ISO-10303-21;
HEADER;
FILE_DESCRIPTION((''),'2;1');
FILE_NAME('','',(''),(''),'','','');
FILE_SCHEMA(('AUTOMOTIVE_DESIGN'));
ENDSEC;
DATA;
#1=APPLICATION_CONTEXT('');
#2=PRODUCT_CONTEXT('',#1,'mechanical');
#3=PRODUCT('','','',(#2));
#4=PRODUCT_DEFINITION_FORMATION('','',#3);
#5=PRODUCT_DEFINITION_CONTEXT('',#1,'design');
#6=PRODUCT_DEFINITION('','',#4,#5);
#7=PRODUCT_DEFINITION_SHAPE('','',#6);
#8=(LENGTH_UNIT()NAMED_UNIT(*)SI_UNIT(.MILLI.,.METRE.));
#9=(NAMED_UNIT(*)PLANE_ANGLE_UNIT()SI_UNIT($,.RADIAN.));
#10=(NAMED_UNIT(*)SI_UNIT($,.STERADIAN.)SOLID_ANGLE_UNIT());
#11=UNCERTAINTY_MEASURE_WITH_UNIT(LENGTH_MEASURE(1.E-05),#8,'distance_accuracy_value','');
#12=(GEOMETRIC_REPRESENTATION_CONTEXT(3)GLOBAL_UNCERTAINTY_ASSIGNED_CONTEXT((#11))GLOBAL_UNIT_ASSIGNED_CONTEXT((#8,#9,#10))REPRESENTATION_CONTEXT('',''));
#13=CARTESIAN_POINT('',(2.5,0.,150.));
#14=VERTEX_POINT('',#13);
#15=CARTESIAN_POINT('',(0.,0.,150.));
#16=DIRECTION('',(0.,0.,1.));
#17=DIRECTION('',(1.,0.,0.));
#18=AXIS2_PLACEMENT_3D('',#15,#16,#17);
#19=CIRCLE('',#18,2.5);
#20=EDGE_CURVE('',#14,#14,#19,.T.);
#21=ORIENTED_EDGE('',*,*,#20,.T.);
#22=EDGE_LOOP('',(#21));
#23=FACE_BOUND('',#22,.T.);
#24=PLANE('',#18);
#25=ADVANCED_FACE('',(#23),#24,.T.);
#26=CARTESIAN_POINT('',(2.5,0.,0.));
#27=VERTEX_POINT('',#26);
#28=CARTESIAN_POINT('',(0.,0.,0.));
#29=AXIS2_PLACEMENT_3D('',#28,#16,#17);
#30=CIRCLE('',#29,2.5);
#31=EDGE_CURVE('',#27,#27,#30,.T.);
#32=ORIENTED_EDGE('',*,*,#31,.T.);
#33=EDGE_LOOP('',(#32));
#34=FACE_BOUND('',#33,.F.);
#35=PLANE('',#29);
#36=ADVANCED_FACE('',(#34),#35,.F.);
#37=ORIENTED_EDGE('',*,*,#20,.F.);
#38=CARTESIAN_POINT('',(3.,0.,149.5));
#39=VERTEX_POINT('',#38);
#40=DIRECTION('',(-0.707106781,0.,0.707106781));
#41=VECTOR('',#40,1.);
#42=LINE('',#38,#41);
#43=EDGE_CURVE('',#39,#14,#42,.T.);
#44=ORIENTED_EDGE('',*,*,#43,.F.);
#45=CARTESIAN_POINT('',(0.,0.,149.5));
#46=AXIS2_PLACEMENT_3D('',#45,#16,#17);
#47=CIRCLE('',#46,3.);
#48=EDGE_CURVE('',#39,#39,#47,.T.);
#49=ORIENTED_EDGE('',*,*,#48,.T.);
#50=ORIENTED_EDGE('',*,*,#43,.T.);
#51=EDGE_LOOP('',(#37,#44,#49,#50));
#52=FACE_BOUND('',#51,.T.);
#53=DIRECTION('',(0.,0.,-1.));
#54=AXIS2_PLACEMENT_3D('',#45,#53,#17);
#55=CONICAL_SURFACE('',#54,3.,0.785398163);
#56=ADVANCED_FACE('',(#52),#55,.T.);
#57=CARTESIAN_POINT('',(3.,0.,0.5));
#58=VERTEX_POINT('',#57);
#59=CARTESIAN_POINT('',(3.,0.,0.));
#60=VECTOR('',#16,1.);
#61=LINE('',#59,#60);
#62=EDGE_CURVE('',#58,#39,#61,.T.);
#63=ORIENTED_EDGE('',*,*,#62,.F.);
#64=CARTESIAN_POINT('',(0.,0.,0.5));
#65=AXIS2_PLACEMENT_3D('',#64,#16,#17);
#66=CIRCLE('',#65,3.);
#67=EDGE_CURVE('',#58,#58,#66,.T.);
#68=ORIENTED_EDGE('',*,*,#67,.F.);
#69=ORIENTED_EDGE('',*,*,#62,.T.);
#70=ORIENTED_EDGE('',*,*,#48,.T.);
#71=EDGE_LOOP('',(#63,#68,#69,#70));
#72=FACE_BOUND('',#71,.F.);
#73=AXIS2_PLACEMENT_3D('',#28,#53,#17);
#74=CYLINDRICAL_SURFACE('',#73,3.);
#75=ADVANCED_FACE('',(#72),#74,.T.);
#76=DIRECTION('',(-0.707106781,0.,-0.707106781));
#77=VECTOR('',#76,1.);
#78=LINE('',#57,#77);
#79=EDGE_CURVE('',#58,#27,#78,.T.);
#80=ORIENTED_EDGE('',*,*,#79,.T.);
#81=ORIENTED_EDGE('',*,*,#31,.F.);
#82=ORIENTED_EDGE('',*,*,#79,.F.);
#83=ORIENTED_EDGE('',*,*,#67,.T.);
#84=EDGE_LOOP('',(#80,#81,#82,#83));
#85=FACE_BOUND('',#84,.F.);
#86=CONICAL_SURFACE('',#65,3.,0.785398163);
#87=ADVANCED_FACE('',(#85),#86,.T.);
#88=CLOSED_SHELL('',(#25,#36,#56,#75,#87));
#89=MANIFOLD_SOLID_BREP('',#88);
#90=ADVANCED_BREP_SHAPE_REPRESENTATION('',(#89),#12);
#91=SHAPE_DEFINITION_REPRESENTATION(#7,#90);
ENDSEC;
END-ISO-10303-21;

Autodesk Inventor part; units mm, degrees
ref_plane "YZ Plane" through (0, 0, 0) normal (1, 0, 0) x (0, 1, 0)
ref_plane "XZ Plane" through (0, 0, 0) normal (0, 1, 0) x (-1, 0, 0)
ref_plane "XY Plane" through (0, 0, 0) normal (0, 0, 1) x (1, 0, 0)
sketch "Sketch1" plane through (0, 0, 0) normal (0, 0, 1) x (1, 0, 0)
  circle A0 centre (0, 0) radius 3
  dimension "d0" = 6
extrude "Extrusion1" add sketch "Sketch1" along normal blind 150
chamfer "Chamfer1" distance 0.5 angle 45 1 edges at (-3, 0, 0)
chamfer "Chamfer2" distance 0.5 angle 45 1 edges at (-3, 0, 150)
properties part number "6mmx150mmSmoothRod"
